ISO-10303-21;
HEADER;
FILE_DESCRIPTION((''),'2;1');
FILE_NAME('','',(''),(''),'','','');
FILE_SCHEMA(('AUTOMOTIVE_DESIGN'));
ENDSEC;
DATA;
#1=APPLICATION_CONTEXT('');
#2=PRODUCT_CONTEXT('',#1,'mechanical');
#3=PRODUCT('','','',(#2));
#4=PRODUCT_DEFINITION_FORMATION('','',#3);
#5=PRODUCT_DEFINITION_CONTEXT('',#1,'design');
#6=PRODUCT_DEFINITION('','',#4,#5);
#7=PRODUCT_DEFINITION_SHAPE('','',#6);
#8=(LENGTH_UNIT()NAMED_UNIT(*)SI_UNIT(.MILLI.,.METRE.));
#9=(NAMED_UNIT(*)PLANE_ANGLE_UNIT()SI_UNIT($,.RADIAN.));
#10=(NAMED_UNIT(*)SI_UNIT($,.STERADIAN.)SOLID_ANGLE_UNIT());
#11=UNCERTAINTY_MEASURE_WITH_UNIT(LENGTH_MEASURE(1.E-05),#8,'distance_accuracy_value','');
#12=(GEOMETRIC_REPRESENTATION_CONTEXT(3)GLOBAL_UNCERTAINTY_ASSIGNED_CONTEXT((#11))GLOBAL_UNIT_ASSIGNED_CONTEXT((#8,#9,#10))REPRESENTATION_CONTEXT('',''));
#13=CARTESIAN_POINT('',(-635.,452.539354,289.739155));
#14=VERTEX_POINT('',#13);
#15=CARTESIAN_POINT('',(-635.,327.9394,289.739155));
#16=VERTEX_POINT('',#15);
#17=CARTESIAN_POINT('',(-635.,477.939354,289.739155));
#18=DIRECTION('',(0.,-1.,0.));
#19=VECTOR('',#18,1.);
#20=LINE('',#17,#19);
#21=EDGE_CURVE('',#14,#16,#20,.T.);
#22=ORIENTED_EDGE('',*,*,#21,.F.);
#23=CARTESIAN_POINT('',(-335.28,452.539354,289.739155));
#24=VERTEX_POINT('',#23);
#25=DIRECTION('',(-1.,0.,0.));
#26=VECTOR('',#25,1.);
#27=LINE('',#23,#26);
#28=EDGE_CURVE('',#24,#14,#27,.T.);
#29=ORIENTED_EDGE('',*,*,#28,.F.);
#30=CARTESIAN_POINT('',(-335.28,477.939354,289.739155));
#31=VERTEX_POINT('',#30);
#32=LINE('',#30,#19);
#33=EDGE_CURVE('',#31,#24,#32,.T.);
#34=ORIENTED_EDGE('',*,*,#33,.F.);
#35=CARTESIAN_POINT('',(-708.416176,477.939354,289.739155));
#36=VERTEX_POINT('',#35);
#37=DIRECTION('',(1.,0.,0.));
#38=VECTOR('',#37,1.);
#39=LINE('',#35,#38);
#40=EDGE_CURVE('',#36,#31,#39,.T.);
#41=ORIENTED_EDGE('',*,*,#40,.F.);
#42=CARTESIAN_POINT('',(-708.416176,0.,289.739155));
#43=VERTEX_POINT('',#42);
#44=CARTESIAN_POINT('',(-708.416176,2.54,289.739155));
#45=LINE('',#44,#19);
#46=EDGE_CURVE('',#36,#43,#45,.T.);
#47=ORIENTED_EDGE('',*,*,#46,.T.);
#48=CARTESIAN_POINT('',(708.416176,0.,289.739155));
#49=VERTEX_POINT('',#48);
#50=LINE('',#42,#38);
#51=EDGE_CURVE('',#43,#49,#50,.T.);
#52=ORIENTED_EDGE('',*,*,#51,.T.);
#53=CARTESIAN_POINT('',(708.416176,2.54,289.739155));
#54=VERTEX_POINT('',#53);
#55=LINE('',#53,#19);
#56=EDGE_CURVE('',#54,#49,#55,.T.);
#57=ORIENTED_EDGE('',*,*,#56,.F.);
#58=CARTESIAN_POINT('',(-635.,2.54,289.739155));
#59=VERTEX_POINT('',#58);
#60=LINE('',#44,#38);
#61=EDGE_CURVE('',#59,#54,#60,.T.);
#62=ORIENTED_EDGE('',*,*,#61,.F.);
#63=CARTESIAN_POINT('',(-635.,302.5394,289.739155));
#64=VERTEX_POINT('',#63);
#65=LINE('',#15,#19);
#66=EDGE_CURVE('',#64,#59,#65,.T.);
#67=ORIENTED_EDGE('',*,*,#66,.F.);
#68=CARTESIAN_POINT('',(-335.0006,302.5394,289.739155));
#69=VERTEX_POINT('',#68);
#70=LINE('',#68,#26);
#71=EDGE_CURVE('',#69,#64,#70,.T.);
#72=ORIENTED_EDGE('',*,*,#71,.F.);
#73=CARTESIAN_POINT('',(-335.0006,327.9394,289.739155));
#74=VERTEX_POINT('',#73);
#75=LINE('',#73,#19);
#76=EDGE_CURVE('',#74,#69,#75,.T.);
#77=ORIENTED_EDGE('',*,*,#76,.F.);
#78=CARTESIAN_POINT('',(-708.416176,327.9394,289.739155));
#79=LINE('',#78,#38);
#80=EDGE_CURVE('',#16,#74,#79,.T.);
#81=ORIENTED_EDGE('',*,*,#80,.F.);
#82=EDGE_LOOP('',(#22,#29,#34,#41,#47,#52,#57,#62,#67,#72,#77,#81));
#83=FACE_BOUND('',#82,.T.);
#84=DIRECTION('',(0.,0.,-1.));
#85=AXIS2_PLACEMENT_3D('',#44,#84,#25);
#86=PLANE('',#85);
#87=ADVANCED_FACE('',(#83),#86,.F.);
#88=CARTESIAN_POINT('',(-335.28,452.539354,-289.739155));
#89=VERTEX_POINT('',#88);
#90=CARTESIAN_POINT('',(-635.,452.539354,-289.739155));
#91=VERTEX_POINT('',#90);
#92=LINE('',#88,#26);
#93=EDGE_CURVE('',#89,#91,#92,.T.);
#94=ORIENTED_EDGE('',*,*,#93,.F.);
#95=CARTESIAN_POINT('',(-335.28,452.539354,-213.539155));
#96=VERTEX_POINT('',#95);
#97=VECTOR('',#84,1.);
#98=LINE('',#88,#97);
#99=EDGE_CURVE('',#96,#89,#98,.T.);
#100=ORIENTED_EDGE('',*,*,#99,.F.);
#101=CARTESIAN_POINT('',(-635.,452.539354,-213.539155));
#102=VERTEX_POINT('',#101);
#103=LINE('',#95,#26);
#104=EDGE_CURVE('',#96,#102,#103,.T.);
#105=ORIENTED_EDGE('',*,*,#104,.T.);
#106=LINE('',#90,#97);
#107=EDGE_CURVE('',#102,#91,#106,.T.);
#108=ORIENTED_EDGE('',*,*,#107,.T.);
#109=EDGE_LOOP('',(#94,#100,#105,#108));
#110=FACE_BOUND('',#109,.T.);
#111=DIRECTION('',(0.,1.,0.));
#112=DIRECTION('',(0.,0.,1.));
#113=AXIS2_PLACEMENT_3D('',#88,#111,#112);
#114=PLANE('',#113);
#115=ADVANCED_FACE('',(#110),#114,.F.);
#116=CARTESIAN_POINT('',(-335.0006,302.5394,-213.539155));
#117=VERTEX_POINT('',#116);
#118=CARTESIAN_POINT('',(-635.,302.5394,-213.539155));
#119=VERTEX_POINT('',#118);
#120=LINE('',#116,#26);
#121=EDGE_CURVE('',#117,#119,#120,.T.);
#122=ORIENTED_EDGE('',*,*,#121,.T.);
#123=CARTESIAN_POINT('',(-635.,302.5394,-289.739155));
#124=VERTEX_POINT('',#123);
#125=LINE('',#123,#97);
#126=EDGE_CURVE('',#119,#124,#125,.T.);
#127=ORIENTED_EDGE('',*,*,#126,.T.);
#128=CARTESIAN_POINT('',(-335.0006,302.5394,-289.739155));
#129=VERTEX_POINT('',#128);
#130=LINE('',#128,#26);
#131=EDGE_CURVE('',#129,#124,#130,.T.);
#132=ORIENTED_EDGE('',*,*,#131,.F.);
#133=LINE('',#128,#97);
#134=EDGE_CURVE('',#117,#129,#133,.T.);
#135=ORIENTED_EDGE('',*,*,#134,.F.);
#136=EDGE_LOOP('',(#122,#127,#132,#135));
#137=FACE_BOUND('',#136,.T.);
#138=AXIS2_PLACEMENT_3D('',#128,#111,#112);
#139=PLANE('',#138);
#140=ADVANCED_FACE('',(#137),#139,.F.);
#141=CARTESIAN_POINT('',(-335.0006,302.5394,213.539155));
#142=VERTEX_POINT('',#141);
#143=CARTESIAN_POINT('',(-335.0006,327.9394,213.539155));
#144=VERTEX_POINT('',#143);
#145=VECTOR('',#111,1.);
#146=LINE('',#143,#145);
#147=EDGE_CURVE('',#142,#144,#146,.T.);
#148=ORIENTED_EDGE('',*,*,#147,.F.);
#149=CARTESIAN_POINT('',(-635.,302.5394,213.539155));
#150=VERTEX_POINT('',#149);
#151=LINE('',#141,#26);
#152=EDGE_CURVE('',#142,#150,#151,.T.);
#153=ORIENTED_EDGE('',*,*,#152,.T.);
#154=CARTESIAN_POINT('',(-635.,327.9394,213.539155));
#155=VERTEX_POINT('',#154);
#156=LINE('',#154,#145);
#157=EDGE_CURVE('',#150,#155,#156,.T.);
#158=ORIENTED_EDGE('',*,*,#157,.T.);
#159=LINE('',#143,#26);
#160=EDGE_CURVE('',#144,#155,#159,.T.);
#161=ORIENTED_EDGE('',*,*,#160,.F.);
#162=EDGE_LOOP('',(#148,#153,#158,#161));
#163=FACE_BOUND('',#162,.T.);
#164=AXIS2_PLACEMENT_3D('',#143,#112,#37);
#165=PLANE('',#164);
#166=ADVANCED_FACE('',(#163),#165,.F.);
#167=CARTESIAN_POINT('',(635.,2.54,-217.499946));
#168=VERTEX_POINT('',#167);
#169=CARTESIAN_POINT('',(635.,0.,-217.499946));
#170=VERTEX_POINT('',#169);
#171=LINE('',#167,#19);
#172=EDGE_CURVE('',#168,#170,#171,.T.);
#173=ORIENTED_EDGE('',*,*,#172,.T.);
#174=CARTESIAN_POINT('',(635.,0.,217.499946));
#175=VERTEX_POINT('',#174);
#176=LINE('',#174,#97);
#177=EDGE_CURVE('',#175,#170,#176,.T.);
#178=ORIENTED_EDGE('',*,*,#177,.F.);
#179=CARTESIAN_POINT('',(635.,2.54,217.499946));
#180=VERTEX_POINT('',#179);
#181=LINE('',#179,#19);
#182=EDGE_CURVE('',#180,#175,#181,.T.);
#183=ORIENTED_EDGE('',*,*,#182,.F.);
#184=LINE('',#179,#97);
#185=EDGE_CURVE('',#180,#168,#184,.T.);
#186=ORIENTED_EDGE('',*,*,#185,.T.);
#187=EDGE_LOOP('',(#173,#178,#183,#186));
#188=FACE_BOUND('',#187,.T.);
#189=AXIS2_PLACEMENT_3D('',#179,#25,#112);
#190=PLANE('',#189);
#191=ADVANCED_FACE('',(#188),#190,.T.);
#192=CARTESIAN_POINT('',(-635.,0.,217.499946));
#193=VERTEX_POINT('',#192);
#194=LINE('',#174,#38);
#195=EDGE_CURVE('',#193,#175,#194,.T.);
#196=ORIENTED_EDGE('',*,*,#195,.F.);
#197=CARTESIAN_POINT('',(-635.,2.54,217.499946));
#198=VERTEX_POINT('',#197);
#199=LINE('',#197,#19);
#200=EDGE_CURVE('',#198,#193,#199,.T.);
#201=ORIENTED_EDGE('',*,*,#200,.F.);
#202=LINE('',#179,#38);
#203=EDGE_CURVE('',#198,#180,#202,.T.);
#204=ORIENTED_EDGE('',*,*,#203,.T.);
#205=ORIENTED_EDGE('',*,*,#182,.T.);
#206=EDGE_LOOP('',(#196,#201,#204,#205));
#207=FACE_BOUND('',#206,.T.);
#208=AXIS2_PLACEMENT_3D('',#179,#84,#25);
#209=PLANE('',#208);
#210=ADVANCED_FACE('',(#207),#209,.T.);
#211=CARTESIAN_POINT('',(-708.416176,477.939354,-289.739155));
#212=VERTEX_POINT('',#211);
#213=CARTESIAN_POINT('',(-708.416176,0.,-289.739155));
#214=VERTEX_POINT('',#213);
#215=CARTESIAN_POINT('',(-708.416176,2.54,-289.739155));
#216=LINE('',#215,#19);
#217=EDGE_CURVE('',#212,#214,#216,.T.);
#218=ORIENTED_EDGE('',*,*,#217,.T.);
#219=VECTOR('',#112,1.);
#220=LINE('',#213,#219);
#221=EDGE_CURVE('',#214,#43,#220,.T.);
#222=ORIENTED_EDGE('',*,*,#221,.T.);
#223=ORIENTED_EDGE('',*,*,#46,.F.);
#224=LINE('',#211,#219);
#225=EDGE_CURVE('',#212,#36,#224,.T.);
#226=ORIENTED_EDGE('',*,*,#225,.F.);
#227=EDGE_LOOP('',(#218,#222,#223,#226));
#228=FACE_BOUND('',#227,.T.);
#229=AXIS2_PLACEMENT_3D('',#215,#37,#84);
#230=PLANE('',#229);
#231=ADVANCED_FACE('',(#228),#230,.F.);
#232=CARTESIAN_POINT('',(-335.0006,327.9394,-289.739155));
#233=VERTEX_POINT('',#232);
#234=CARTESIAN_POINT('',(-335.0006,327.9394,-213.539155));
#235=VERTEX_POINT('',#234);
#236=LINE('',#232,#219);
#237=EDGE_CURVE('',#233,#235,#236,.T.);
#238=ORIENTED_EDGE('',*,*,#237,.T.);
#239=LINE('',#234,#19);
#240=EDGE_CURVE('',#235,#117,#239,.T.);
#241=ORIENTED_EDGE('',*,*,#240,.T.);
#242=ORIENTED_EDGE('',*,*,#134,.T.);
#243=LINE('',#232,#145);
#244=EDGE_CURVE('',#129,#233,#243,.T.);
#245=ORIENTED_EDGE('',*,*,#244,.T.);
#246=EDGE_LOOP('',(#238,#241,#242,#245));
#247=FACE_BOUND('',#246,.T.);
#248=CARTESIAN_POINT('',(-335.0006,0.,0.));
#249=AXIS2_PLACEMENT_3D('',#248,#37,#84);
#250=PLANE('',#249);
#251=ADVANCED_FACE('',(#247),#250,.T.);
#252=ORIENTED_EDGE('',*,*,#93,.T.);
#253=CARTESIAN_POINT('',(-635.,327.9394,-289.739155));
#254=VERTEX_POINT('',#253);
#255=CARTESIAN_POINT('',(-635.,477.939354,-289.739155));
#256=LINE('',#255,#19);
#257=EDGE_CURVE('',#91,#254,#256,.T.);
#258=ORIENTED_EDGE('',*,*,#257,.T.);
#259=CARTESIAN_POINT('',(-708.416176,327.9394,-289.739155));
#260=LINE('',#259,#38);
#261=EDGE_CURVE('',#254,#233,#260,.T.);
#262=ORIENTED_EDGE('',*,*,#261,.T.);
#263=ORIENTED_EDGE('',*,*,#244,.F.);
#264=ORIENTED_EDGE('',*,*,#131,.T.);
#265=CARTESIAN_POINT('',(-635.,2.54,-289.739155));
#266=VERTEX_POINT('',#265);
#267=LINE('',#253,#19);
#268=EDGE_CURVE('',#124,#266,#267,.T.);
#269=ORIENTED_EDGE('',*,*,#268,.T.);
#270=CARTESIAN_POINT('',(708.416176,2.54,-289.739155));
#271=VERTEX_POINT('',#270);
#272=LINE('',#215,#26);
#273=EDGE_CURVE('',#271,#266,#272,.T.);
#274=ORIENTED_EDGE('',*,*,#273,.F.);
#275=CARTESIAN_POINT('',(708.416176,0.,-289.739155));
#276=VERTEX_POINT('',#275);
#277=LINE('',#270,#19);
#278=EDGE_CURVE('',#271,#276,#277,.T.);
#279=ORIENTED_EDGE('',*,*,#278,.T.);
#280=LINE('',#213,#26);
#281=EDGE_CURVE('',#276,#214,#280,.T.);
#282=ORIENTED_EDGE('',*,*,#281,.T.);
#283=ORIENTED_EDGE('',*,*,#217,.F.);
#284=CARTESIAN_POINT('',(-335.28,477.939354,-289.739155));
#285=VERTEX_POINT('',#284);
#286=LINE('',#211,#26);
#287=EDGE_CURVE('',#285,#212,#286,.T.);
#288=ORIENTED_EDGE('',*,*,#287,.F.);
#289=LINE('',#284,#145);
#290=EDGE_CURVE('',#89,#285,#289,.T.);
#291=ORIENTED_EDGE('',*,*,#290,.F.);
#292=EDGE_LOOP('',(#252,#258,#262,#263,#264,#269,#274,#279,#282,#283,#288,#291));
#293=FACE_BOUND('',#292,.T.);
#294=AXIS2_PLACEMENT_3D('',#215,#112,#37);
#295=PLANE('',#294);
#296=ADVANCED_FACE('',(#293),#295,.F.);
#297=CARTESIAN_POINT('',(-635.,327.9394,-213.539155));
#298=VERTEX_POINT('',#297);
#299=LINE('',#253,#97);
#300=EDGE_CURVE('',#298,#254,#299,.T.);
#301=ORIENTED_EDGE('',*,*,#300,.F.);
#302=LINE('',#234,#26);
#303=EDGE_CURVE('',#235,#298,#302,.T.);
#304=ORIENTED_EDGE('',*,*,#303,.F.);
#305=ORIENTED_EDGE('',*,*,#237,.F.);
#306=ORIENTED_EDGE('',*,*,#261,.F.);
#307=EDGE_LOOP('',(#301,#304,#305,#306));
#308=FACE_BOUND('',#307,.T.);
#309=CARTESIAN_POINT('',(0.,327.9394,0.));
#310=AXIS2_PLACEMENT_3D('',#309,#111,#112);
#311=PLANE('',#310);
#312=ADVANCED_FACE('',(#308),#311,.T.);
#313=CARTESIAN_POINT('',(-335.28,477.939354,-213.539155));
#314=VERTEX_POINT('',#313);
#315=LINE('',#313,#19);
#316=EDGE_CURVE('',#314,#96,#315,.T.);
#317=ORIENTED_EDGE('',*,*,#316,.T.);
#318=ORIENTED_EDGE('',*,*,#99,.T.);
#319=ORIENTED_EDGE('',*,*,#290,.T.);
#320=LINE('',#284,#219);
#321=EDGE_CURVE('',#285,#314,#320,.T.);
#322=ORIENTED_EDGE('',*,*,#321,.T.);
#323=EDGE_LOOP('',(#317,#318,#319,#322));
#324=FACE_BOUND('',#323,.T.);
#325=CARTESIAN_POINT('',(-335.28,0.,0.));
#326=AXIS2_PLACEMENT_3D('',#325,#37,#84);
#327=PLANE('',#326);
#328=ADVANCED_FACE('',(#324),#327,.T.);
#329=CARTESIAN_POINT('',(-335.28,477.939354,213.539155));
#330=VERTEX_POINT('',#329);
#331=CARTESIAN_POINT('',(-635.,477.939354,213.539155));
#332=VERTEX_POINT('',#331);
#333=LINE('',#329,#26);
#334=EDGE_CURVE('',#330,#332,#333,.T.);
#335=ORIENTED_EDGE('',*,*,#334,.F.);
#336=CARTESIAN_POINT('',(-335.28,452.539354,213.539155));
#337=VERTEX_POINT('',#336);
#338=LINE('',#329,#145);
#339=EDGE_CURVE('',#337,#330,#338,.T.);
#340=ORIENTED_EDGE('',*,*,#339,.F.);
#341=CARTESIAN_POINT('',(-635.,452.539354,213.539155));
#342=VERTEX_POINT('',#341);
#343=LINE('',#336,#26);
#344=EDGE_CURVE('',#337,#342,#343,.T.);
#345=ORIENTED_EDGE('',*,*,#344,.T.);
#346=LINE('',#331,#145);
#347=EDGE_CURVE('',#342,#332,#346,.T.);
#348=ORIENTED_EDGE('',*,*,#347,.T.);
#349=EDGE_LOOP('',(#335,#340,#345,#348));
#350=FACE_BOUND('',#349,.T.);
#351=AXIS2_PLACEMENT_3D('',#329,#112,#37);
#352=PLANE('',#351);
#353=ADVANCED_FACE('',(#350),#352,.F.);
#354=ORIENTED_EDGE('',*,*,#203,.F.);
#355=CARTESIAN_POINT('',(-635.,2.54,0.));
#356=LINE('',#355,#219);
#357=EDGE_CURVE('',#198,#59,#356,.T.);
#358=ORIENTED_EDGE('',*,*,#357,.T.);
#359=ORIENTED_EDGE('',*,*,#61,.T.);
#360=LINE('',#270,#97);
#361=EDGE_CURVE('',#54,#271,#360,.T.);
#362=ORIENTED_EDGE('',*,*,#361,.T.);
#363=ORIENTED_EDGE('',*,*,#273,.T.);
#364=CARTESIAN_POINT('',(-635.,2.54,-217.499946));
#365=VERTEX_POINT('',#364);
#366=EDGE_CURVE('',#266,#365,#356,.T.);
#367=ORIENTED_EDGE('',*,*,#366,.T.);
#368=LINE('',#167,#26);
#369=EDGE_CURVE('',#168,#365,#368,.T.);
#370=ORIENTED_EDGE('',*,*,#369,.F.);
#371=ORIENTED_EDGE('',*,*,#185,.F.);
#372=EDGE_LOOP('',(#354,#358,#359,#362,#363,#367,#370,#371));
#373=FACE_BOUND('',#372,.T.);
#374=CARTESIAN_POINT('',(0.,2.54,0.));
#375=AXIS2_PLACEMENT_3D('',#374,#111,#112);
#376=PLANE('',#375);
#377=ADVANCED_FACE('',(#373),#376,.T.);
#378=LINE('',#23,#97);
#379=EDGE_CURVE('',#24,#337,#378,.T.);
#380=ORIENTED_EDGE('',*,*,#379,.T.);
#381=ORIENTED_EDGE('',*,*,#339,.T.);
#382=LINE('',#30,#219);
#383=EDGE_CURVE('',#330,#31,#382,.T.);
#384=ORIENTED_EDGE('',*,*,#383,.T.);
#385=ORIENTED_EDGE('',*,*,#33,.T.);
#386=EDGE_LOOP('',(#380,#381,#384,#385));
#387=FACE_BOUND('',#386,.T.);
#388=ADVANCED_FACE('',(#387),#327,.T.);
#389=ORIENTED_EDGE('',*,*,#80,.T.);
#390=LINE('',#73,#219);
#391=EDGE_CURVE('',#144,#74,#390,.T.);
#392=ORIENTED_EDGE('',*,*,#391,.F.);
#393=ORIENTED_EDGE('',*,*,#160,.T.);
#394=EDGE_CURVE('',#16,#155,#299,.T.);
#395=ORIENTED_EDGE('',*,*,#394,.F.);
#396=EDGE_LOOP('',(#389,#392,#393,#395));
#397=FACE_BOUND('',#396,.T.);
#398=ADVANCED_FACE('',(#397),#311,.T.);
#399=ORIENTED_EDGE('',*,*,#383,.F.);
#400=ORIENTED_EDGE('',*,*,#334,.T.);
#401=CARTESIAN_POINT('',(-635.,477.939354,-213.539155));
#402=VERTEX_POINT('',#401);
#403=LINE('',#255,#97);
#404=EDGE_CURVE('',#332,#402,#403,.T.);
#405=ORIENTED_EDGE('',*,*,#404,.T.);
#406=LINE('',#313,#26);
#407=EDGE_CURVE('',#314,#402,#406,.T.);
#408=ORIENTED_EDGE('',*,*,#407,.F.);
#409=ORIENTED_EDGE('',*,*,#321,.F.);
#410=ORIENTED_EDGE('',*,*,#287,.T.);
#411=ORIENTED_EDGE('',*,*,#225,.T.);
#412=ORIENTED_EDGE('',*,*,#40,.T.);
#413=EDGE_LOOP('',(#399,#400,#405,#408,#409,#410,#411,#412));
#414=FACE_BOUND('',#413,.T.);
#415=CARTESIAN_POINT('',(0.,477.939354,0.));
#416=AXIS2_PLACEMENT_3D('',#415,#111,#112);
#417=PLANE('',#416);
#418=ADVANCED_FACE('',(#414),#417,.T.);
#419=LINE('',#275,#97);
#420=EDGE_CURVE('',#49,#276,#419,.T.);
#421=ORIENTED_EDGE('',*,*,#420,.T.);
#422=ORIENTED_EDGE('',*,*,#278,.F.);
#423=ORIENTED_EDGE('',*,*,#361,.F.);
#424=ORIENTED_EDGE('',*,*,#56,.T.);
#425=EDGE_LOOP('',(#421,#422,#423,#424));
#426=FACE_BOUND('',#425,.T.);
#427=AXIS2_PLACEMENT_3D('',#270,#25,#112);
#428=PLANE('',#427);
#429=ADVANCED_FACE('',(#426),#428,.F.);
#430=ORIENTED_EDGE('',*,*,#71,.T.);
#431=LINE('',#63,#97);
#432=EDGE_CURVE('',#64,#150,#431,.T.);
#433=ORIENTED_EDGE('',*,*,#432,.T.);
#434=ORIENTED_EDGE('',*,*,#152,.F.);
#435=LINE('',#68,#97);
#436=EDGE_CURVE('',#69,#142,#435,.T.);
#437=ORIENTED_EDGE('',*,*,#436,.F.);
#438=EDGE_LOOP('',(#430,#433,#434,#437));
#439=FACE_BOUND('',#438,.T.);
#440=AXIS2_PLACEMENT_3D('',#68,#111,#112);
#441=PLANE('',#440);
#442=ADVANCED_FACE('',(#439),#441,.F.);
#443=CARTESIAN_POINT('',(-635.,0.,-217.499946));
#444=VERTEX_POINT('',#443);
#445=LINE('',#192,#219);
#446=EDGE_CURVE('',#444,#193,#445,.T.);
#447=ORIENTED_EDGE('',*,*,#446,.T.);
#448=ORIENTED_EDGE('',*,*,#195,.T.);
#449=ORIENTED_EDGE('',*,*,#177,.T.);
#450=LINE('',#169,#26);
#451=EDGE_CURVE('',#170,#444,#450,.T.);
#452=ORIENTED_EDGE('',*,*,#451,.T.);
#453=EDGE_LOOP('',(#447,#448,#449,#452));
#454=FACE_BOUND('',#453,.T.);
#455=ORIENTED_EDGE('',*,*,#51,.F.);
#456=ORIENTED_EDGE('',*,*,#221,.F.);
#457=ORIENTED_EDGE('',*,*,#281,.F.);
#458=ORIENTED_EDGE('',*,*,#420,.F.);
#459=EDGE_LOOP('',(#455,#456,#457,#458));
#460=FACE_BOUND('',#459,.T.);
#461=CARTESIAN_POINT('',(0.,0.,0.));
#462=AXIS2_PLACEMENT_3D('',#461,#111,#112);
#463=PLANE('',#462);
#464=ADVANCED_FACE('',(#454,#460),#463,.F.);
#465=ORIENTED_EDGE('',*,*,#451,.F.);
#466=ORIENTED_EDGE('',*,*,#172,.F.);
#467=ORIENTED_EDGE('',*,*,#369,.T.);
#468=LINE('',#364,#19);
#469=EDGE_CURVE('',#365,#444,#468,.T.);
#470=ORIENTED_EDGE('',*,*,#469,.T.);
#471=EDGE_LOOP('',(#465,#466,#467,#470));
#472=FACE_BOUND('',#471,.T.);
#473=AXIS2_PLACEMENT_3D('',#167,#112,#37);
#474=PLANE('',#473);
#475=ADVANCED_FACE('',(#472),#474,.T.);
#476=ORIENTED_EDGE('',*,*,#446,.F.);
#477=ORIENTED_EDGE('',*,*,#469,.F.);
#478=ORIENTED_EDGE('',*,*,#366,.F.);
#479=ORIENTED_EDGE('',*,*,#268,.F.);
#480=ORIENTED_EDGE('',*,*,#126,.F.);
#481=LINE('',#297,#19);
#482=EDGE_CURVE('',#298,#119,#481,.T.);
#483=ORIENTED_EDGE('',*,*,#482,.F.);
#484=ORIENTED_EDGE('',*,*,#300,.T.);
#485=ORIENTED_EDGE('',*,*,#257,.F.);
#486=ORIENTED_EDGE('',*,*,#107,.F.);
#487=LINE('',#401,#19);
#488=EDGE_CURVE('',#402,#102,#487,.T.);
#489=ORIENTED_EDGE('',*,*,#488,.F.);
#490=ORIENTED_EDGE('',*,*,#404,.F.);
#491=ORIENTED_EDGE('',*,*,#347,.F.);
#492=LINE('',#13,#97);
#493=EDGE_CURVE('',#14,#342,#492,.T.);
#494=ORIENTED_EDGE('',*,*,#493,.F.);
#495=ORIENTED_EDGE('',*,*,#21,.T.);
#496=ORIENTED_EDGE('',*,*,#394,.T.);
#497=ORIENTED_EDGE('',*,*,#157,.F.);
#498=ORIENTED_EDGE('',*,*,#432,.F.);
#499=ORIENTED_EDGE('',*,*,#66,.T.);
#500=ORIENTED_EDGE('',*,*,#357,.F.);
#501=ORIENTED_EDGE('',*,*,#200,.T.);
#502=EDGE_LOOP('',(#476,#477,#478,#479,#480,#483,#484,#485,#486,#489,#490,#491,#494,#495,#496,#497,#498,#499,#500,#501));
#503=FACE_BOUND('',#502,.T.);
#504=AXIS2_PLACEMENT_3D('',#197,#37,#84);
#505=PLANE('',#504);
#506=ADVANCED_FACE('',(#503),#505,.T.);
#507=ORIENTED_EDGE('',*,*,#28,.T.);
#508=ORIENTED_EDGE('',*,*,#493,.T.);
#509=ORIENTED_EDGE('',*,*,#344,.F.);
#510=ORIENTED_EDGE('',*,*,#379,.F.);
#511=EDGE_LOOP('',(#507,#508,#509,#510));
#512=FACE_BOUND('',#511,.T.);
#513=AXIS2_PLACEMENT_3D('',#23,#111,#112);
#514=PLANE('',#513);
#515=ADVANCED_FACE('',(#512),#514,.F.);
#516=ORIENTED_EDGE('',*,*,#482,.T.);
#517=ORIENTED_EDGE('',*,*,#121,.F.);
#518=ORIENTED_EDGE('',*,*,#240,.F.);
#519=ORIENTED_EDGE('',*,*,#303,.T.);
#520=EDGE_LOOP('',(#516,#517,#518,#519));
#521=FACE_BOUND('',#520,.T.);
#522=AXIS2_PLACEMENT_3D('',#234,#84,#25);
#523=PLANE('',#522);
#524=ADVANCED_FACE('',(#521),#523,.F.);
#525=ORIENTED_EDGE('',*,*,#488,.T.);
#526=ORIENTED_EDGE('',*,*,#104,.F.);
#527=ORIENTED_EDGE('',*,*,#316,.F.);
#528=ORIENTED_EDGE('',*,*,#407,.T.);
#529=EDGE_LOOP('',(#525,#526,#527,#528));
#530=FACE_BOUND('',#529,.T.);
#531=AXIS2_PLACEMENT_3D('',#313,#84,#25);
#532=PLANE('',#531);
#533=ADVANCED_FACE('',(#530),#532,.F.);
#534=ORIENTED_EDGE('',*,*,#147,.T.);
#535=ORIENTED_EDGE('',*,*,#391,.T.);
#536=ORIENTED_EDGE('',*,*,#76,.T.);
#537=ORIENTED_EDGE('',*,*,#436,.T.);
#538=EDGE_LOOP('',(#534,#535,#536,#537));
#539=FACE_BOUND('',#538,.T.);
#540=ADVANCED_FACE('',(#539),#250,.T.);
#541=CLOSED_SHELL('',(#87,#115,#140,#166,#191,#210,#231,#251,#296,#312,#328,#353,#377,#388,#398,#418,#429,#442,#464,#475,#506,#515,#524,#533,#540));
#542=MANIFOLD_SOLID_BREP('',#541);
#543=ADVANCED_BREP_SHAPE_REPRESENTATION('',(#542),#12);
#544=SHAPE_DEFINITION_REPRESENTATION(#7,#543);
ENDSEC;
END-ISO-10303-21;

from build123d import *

# Parameters (mm, degrees)
SKETCH1_W           = 1416.83235241
SKETCH1_H           = 579.478309122
SKETCH1_W_2         = 1270
SKETCH1_H_2         = 434.999892
BOSS_EXTRUDE1_DEPTH = 2.54
SKETCH2_W           = 73.416176205
SKETCH2_H           = 579.478309122
BOSS_EXTRUDE2_DEPTH = 327.9394
SKETCH3_W           = 76.2
SKETCH3_H           = 25.4
BOSS_EXTRUDE3_DEPTH = 299.9994
SKETCH4_W           = 73.416176205
SKETCH4_H           = 579.478309122
BOSS_EXTRUDE4_DEPTH = 149.999954
SKETCH5_W           = 76.2
SKETCH5_H           = 25.4
BOSS_EXTRUDE5_DEPTH = 299.72


with BuildPart() as part:
    # Sketch1 → Boss-Extrude1 (new body)
    with BuildSketch(Plane(origin=(0, 0, 0), x_dir=(1, 0, 0), z_dir=(0, 1, 0))):
        Rectangle(SKETCH1_W, SKETCH1_H)
        Rectangle(SKETCH1_W_2, SKETCH1_H_2, mode=Mode.SUBTRACT)
    extrude(amount=BOSS_EXTRUDE1_DEPTH)

    # Sketch2 → Boss-Extrude2 (add)
    with BuildSketch(Plane.XZ):
        with Locations((-671.708088103, 0)):
            Rectangle(SKETCH2_W, SKETCH2_H)
    extrude(amount=-BOSS_EXTRUDE2_DEPTH)

    # Sketch3 → Boss-Extrude3 (add)
    with BuildSketch(Plane(origin=(-635, 0, 0), x_dir=(0, 0, -1), z_dir=(1, 0, 0))):
        with Locations((-251.639154561, 315.2394)):
            Rectangle(SKETCH3_W, SKETCH3_H)
        with Locations((251.639154561, 315.2394)):
            Rectangle(SKETCH3_W, SKETCH3_H)
    extrude(amount=BOSS_EXTRUDE3_DEPTH)

    # Sketch4 → Boss-Extrude4 (add)
    with BuildSketch(Plane(origin=(0, 327.9394, 0), x_dir=(1, 0, 0), z_dir=(0, 1, 0))):
        with Locations((-671.708088103, 0)):
            Rectangle(SKETCH4_W, SKETCH4_H)
    extrude(amount=BOSS_EXTRUDE4_DEPTH)

    # Sketch5 → Boss-Extrude5 (add)
    with BuildSketch(Plane(origin=(-635, 0, 0), x_dir=(0, 0, -1), z_dir=(1, 0, 0))):
        with Locations((-251.639154561, 465.239354)):
            Rectangle(SKETCH5_W, SKETCH5_H)
        with Locations((251.639154561, 465.239354)):
            Rectangle(SKETCH5_W, SKETCH5_H)
    extrude(amount=BOSS_EXTRUDE5_DEPTH)


solid = part.part
